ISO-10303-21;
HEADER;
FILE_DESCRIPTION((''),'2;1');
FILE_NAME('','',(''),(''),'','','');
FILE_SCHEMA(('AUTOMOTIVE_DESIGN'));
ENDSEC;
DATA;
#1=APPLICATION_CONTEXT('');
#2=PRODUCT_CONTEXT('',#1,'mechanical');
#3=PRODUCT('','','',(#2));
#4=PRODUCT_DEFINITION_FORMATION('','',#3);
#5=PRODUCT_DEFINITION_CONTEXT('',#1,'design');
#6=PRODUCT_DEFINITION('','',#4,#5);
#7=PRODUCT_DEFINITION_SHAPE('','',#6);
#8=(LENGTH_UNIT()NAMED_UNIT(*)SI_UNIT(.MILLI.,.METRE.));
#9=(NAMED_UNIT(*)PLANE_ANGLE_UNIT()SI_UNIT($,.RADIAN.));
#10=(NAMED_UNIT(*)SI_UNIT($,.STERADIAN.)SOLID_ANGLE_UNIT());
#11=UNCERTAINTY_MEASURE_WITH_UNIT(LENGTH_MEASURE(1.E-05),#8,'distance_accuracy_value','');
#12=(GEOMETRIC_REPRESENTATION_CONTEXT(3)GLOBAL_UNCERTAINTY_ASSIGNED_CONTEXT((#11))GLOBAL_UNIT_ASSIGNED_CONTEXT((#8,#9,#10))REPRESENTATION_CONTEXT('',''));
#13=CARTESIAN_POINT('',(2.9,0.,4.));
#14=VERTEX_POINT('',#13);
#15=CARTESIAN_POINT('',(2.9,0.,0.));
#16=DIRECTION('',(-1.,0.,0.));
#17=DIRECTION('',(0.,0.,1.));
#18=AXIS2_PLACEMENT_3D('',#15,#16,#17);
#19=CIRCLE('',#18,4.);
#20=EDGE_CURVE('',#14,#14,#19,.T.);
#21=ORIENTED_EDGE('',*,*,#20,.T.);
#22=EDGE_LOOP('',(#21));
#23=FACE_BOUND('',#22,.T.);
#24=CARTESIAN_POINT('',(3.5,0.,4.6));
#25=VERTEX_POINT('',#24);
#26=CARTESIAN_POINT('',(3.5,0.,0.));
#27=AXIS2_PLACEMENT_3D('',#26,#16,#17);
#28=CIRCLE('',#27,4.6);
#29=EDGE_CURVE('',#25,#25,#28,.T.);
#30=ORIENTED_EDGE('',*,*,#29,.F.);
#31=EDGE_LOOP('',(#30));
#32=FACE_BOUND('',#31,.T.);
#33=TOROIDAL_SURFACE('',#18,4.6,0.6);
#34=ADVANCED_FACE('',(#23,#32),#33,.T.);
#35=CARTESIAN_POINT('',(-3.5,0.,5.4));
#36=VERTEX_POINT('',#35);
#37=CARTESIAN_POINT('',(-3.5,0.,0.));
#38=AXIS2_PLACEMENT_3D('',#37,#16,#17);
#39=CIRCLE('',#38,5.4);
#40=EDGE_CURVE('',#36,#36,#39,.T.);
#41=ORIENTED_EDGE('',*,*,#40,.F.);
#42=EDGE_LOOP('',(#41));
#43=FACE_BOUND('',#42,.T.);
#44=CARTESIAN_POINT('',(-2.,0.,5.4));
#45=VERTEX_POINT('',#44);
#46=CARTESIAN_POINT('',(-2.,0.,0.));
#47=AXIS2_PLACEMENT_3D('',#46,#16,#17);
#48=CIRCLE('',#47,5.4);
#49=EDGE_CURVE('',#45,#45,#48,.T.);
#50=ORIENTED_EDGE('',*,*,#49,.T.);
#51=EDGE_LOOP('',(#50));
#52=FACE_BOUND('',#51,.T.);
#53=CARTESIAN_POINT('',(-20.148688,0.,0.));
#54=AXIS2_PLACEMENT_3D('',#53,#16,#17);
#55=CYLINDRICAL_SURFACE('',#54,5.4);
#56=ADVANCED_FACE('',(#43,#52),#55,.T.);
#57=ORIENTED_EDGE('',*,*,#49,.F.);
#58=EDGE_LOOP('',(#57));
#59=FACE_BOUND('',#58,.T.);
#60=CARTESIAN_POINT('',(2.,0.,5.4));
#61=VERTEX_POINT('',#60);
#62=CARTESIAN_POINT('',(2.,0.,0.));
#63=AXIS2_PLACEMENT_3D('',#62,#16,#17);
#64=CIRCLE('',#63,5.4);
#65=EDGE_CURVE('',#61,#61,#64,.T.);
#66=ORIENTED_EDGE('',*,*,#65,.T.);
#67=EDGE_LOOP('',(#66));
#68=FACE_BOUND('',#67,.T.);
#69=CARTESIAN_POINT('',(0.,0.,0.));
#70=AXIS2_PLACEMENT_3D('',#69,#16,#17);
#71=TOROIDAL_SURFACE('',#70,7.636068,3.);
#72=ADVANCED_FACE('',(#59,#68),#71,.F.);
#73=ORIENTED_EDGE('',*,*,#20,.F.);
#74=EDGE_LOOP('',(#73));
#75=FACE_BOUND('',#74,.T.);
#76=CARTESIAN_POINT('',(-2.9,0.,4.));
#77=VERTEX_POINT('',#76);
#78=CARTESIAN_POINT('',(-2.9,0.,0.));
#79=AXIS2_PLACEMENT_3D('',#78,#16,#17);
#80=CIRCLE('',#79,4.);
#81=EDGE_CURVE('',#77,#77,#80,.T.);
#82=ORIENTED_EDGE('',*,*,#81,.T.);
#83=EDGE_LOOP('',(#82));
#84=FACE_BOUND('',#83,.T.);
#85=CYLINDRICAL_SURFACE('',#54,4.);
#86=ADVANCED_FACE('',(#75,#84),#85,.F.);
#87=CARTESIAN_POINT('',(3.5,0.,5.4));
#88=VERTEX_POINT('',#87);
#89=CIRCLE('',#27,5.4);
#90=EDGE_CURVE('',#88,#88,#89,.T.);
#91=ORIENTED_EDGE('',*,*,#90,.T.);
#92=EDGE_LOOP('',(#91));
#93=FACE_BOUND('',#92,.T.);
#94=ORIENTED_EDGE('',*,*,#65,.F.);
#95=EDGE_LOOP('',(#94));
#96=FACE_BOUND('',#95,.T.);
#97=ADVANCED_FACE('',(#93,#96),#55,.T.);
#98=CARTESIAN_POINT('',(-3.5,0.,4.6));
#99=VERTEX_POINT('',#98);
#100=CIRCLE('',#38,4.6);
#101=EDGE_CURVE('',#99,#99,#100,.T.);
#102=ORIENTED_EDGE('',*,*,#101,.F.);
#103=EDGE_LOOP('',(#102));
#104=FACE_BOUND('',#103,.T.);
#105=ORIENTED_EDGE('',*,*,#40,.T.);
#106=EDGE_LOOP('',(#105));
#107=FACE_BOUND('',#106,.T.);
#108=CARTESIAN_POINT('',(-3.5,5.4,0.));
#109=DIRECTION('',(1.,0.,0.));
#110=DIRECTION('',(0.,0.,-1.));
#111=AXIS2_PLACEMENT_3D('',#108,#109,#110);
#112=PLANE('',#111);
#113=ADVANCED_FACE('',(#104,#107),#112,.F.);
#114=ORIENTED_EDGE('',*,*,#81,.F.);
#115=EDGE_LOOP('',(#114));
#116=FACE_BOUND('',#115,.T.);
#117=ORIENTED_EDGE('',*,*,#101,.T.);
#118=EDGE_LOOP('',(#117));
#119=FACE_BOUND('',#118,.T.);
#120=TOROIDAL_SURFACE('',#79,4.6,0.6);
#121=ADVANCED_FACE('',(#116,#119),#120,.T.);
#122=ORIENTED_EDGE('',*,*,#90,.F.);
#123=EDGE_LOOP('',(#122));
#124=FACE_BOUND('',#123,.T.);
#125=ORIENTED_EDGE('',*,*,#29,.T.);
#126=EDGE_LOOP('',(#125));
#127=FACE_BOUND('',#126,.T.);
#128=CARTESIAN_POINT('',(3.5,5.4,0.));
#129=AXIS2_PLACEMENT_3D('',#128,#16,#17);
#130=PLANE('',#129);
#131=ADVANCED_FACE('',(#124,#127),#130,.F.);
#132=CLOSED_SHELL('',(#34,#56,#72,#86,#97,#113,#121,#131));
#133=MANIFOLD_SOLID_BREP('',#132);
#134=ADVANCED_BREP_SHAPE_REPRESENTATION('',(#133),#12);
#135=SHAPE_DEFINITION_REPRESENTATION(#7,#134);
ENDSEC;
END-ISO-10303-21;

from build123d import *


with BuildPart() as part:
    # Çizim1 → Döndür1 (revolve)
    with BuildSketch(Plane.XY, mode=Mode.PRIVATE) as d_nd_r1_sk:
        with BuildLine():
            Line((3.5, 5.4), (3.5, 4.6))
            ThreePointArc((3.5, 4.6), (3.324264069, 4.175735931), (2.9, 4))
            Line((2.9, 4), (-2.9, 4))
            ThreePointArc((-2.9, 4), (-3.324264069, 4.175735931), (-3.5, 4.6))
            Line((-3.5, 4.6), (-3.5, 5.4))
            Line((-3.5, 5.4), (-2, 5.4))
            ThreePointArc((-2, 5.4), (0, 4.636067977), (2, 5.4))
            Line((2, 5.4), (3.5, 5.4))
        make_face()
    revolve(d_nd_r1_sk.sketch.rotate(Axis((-20.148687567, 0, 0), (1, 0, 0)), 90), axis=Axis((-20.148687567, 0, 0), (1, 0, 0)))


solid = part.part
